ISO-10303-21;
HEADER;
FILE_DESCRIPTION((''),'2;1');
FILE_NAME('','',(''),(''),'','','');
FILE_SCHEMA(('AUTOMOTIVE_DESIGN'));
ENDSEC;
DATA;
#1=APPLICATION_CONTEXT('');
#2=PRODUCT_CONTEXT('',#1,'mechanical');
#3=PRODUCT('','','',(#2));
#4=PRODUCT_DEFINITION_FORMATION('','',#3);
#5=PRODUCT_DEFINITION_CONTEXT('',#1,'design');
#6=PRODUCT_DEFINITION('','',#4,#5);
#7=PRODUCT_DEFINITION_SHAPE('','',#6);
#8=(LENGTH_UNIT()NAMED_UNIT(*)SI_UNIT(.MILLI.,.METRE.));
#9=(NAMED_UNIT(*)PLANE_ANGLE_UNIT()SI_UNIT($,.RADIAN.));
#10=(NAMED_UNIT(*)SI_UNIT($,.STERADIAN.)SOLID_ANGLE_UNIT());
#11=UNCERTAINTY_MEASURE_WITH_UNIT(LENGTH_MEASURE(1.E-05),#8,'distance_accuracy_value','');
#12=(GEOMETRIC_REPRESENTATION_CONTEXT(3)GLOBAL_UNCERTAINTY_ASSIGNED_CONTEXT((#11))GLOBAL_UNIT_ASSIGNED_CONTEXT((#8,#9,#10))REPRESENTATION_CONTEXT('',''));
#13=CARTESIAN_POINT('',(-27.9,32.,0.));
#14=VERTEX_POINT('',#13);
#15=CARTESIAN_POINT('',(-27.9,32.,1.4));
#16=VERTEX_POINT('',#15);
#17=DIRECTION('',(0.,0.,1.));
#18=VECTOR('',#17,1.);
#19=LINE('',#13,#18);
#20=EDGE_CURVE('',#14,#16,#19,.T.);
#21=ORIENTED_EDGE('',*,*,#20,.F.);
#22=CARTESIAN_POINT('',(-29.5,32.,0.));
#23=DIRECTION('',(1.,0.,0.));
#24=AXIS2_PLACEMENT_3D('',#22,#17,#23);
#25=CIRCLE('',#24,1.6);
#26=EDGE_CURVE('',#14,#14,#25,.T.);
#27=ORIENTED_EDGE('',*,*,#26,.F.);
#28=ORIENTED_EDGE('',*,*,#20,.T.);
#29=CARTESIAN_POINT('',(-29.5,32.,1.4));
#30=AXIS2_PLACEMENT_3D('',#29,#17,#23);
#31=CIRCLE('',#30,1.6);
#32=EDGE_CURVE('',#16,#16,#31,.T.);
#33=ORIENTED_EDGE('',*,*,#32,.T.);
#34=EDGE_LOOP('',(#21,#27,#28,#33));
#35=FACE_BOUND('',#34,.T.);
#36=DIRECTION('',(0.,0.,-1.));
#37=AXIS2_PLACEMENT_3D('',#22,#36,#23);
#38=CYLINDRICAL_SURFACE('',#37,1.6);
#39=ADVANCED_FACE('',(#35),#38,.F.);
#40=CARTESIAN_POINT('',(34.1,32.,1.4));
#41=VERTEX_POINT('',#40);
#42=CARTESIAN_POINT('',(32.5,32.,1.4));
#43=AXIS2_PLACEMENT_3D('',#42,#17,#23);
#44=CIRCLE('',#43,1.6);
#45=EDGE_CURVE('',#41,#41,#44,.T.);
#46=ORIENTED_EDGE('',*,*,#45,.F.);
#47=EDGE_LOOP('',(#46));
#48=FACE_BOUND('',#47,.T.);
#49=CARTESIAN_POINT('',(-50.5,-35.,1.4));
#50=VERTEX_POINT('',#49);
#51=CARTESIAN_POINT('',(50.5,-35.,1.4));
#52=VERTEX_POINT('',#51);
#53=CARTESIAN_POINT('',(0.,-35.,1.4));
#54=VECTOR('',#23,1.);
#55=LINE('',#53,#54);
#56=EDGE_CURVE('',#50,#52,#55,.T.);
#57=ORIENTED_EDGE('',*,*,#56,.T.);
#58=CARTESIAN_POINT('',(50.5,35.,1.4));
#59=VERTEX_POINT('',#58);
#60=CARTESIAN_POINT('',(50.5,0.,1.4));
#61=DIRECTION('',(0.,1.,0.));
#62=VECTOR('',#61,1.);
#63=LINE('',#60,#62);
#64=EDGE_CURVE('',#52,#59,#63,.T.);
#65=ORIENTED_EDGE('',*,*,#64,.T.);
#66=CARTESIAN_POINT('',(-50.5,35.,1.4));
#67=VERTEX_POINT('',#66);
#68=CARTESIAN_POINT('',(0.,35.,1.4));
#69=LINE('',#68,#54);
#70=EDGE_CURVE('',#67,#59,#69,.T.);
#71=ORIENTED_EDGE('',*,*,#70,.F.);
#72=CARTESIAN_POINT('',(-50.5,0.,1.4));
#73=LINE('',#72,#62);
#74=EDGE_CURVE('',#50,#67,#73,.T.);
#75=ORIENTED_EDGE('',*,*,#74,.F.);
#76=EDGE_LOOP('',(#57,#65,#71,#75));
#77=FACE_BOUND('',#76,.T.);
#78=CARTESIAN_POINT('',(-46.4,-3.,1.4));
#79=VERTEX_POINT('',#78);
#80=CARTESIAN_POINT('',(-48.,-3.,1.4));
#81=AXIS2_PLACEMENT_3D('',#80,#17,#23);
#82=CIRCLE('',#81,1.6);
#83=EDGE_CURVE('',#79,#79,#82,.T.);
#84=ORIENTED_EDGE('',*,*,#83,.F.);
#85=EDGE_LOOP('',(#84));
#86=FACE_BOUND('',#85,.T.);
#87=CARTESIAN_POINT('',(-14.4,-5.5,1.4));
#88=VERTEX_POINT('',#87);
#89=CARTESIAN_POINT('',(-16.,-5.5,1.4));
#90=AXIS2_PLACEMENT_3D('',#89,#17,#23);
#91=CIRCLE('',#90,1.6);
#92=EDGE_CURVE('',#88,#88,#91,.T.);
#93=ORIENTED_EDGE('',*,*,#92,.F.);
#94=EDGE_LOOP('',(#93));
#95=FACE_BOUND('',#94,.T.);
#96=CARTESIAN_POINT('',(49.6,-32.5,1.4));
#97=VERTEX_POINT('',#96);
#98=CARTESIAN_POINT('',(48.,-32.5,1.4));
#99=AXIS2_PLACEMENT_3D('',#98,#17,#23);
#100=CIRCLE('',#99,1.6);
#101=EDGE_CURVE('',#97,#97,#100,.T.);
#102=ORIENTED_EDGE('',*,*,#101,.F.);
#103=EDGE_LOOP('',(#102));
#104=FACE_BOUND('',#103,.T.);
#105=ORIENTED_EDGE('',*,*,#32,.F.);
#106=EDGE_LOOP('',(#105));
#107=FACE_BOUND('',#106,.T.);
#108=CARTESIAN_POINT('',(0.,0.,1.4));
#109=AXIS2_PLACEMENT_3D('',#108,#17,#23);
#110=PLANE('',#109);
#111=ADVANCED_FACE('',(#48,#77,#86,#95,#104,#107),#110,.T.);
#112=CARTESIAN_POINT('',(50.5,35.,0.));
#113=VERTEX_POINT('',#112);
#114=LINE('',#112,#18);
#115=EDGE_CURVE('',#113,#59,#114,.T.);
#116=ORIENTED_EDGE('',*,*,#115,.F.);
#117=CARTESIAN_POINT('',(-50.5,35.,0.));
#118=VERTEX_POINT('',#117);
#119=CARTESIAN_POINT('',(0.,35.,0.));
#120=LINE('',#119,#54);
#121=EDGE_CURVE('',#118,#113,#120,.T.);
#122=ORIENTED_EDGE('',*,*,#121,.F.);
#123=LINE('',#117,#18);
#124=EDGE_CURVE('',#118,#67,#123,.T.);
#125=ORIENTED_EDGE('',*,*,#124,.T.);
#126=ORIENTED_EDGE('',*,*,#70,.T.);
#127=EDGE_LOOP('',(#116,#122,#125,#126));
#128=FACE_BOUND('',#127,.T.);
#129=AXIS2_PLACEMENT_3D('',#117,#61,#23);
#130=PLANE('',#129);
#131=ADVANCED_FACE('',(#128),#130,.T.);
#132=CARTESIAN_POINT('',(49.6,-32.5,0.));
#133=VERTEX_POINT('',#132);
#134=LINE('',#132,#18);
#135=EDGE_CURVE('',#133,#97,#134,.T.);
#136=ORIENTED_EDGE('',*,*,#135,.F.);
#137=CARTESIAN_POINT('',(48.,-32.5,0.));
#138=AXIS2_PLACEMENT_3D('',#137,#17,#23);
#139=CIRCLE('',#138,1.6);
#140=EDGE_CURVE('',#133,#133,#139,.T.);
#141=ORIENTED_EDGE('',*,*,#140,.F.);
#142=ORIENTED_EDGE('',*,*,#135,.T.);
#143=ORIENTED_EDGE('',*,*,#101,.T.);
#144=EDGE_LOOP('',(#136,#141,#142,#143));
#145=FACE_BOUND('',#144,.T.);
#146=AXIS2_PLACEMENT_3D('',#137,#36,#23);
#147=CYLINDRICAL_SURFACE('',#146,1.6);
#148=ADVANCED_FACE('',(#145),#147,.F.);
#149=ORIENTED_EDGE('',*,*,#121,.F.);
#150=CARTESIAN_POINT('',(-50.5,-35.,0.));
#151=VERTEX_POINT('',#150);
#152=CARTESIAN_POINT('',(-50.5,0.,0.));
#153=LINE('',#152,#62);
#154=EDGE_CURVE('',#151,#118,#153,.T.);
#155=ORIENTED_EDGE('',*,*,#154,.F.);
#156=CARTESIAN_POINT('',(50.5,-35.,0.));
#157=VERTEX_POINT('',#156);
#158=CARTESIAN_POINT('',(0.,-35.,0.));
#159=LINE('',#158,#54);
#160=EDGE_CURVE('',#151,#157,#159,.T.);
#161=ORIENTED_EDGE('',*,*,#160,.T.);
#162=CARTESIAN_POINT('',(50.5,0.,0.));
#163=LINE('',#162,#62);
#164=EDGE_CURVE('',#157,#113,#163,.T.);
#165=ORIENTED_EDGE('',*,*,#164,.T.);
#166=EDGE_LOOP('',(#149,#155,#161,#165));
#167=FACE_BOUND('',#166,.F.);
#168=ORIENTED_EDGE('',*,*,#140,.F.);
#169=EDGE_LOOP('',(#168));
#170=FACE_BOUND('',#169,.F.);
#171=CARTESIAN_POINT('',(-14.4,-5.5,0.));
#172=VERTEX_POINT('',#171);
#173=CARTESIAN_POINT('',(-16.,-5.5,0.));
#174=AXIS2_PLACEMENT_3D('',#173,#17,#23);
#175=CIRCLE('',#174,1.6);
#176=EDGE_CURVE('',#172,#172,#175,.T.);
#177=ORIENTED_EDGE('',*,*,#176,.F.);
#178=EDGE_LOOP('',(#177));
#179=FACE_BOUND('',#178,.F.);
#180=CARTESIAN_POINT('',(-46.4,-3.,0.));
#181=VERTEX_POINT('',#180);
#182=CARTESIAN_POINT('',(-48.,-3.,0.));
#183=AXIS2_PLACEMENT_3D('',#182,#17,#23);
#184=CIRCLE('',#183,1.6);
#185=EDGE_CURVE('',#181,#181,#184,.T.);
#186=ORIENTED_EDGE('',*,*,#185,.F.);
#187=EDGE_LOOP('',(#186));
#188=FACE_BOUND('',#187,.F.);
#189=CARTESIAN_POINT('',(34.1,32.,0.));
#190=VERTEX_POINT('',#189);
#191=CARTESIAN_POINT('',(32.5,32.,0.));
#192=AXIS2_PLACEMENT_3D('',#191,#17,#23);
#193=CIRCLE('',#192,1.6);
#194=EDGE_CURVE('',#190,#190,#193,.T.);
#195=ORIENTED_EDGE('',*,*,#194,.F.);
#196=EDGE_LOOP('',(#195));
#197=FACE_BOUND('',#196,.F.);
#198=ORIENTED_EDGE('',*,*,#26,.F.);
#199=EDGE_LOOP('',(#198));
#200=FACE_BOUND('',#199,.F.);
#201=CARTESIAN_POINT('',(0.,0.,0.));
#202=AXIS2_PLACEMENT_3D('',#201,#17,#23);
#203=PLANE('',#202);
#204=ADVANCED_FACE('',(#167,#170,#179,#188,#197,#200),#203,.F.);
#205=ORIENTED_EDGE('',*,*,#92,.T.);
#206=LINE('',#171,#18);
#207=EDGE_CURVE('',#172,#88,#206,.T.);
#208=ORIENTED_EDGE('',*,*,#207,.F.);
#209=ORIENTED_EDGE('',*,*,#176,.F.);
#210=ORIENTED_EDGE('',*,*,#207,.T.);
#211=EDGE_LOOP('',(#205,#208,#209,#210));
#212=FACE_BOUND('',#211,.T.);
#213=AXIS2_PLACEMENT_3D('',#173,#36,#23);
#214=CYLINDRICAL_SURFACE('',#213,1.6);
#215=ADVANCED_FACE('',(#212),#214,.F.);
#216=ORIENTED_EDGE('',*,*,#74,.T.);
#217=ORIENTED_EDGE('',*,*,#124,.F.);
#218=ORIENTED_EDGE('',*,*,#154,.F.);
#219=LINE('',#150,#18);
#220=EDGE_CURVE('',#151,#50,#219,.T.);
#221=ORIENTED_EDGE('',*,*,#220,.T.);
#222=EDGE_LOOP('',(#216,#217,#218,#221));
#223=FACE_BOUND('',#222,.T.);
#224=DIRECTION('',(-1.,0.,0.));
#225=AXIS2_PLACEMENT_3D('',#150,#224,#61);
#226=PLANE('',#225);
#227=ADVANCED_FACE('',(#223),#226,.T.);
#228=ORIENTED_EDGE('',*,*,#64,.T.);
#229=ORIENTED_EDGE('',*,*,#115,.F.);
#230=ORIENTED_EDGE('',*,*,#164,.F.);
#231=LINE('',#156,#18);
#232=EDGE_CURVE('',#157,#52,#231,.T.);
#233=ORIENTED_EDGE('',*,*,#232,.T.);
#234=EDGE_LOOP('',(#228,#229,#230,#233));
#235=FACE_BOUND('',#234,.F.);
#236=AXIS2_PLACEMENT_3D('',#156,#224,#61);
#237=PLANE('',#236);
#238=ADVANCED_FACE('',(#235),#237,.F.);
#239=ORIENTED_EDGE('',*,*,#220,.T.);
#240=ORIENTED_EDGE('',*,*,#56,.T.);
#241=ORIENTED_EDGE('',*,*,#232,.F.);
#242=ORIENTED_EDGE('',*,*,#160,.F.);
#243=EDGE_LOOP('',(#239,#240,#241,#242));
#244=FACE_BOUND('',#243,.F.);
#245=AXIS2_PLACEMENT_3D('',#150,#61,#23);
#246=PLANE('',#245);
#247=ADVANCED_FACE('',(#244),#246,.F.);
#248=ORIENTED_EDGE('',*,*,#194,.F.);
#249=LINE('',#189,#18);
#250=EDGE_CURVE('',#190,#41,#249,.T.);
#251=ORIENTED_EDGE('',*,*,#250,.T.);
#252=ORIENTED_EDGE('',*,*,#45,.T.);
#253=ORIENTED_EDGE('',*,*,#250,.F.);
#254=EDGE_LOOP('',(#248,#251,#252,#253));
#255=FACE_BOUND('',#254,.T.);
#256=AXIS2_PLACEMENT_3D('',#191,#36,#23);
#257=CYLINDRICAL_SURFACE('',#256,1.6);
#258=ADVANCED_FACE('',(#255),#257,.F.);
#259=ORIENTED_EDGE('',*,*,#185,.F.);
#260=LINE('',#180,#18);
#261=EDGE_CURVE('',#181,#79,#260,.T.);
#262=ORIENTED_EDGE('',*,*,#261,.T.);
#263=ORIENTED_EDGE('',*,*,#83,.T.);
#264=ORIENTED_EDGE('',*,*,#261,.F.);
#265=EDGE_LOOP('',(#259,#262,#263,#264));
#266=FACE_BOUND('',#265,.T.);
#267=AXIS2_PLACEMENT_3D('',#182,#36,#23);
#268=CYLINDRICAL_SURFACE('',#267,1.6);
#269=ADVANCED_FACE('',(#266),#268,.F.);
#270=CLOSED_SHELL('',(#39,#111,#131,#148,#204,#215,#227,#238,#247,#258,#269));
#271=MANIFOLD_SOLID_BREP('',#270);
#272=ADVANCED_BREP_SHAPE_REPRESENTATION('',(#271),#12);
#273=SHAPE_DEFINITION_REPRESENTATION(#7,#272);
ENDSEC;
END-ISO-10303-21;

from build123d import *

# Parameters (mm, degrees)
SKETCH_W  = 101
SKETCH_H  = 70
SKETCH_R  = 1.6
PAD_DEPTH = 1.4


with BuildPart() as part:
    # Sketch → Pad (new body)
    with BuildSketch(Plane.XY):
        Rectangle(SKETCH_W, SKETCH_H)
        with Locations((-48, -3)):
            Circle(SKETCH_R, mode=Mode.SUBTRACT)
        with Locations((-16, -5.5)):
            Circle(SKETCH_R, mode=Mode.SUBTRACT)
        with Locations((48, -32.5)):
            Circle(SKETCH_R, mode=Mode.SUBTRACT)
        with Locations((32.5, 32)):
            Circle(SKETCH_R, mode=Mode.SUBTRACT)
        with Locations((-29.5, 32)):
            Circle(SKETCH_R, mode=Mode.SUBTRACT)
    extrude(amount=PAD_DEPTH)


solid = part.part
